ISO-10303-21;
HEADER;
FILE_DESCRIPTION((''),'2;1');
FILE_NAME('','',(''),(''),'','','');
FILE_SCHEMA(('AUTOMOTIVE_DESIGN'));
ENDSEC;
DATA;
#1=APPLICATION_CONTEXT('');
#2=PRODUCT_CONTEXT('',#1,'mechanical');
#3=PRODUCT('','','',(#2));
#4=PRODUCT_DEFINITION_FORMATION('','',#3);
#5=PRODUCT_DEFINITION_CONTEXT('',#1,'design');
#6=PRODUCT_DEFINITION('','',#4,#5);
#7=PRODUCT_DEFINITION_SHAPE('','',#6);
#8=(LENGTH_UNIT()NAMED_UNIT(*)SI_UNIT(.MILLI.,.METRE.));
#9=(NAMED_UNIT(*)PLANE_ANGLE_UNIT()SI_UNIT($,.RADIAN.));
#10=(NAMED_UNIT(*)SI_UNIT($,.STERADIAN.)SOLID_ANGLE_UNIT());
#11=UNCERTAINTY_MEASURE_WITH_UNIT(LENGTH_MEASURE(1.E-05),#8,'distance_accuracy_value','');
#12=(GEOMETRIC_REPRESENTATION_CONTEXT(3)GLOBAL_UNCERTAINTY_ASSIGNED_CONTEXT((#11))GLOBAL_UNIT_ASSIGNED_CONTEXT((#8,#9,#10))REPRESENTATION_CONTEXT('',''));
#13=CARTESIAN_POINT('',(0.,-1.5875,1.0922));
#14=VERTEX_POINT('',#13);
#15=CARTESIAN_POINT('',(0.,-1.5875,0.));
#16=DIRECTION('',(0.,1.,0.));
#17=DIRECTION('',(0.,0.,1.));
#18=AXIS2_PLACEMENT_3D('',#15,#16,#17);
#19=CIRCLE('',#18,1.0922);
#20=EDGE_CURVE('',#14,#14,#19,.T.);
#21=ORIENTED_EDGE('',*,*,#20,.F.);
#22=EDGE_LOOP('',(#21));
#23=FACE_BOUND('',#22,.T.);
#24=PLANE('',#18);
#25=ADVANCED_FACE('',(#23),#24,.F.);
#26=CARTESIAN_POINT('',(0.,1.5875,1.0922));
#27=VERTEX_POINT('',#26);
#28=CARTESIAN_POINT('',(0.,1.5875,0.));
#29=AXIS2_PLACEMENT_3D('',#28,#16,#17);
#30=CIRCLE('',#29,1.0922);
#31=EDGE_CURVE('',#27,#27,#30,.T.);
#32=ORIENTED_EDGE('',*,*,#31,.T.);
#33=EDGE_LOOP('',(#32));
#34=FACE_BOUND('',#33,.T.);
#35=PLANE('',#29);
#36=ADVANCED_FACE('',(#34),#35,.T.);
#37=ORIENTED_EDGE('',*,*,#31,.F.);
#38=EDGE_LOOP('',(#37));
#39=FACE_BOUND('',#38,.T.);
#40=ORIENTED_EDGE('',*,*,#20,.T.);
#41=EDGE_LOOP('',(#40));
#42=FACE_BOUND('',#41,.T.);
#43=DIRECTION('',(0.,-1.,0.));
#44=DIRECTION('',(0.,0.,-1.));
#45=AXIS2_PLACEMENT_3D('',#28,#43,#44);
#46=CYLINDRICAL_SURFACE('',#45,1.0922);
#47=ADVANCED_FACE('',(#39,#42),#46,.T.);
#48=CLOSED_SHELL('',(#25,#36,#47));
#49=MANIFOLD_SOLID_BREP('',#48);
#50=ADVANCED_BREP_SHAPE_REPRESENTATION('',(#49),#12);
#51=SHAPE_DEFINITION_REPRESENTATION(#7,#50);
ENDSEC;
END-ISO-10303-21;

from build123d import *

# Parameters (mm, degrees)
SKETCH1_R           = 1.0922
BOSS_EXTRUDE1_DEPTH = 1.5875


with BuildPart() as part:
    # Sketch1 → Boss-Extrude1 (new body, symmetric)
    with BuildSketch(Plane(origin=(0, 0, 0), x_dir=(1, 0, 0), z_dir=(0, 1, 0))):
        with Locations(Location((0, 0, 0), (0, 0, 270))):  # turned: the seam where the file's is
            Circle(SKETCH1_R)
    extrude(amount=BOSS_EXTRUDE1_DEPTH, both=True)


solid = part.part
